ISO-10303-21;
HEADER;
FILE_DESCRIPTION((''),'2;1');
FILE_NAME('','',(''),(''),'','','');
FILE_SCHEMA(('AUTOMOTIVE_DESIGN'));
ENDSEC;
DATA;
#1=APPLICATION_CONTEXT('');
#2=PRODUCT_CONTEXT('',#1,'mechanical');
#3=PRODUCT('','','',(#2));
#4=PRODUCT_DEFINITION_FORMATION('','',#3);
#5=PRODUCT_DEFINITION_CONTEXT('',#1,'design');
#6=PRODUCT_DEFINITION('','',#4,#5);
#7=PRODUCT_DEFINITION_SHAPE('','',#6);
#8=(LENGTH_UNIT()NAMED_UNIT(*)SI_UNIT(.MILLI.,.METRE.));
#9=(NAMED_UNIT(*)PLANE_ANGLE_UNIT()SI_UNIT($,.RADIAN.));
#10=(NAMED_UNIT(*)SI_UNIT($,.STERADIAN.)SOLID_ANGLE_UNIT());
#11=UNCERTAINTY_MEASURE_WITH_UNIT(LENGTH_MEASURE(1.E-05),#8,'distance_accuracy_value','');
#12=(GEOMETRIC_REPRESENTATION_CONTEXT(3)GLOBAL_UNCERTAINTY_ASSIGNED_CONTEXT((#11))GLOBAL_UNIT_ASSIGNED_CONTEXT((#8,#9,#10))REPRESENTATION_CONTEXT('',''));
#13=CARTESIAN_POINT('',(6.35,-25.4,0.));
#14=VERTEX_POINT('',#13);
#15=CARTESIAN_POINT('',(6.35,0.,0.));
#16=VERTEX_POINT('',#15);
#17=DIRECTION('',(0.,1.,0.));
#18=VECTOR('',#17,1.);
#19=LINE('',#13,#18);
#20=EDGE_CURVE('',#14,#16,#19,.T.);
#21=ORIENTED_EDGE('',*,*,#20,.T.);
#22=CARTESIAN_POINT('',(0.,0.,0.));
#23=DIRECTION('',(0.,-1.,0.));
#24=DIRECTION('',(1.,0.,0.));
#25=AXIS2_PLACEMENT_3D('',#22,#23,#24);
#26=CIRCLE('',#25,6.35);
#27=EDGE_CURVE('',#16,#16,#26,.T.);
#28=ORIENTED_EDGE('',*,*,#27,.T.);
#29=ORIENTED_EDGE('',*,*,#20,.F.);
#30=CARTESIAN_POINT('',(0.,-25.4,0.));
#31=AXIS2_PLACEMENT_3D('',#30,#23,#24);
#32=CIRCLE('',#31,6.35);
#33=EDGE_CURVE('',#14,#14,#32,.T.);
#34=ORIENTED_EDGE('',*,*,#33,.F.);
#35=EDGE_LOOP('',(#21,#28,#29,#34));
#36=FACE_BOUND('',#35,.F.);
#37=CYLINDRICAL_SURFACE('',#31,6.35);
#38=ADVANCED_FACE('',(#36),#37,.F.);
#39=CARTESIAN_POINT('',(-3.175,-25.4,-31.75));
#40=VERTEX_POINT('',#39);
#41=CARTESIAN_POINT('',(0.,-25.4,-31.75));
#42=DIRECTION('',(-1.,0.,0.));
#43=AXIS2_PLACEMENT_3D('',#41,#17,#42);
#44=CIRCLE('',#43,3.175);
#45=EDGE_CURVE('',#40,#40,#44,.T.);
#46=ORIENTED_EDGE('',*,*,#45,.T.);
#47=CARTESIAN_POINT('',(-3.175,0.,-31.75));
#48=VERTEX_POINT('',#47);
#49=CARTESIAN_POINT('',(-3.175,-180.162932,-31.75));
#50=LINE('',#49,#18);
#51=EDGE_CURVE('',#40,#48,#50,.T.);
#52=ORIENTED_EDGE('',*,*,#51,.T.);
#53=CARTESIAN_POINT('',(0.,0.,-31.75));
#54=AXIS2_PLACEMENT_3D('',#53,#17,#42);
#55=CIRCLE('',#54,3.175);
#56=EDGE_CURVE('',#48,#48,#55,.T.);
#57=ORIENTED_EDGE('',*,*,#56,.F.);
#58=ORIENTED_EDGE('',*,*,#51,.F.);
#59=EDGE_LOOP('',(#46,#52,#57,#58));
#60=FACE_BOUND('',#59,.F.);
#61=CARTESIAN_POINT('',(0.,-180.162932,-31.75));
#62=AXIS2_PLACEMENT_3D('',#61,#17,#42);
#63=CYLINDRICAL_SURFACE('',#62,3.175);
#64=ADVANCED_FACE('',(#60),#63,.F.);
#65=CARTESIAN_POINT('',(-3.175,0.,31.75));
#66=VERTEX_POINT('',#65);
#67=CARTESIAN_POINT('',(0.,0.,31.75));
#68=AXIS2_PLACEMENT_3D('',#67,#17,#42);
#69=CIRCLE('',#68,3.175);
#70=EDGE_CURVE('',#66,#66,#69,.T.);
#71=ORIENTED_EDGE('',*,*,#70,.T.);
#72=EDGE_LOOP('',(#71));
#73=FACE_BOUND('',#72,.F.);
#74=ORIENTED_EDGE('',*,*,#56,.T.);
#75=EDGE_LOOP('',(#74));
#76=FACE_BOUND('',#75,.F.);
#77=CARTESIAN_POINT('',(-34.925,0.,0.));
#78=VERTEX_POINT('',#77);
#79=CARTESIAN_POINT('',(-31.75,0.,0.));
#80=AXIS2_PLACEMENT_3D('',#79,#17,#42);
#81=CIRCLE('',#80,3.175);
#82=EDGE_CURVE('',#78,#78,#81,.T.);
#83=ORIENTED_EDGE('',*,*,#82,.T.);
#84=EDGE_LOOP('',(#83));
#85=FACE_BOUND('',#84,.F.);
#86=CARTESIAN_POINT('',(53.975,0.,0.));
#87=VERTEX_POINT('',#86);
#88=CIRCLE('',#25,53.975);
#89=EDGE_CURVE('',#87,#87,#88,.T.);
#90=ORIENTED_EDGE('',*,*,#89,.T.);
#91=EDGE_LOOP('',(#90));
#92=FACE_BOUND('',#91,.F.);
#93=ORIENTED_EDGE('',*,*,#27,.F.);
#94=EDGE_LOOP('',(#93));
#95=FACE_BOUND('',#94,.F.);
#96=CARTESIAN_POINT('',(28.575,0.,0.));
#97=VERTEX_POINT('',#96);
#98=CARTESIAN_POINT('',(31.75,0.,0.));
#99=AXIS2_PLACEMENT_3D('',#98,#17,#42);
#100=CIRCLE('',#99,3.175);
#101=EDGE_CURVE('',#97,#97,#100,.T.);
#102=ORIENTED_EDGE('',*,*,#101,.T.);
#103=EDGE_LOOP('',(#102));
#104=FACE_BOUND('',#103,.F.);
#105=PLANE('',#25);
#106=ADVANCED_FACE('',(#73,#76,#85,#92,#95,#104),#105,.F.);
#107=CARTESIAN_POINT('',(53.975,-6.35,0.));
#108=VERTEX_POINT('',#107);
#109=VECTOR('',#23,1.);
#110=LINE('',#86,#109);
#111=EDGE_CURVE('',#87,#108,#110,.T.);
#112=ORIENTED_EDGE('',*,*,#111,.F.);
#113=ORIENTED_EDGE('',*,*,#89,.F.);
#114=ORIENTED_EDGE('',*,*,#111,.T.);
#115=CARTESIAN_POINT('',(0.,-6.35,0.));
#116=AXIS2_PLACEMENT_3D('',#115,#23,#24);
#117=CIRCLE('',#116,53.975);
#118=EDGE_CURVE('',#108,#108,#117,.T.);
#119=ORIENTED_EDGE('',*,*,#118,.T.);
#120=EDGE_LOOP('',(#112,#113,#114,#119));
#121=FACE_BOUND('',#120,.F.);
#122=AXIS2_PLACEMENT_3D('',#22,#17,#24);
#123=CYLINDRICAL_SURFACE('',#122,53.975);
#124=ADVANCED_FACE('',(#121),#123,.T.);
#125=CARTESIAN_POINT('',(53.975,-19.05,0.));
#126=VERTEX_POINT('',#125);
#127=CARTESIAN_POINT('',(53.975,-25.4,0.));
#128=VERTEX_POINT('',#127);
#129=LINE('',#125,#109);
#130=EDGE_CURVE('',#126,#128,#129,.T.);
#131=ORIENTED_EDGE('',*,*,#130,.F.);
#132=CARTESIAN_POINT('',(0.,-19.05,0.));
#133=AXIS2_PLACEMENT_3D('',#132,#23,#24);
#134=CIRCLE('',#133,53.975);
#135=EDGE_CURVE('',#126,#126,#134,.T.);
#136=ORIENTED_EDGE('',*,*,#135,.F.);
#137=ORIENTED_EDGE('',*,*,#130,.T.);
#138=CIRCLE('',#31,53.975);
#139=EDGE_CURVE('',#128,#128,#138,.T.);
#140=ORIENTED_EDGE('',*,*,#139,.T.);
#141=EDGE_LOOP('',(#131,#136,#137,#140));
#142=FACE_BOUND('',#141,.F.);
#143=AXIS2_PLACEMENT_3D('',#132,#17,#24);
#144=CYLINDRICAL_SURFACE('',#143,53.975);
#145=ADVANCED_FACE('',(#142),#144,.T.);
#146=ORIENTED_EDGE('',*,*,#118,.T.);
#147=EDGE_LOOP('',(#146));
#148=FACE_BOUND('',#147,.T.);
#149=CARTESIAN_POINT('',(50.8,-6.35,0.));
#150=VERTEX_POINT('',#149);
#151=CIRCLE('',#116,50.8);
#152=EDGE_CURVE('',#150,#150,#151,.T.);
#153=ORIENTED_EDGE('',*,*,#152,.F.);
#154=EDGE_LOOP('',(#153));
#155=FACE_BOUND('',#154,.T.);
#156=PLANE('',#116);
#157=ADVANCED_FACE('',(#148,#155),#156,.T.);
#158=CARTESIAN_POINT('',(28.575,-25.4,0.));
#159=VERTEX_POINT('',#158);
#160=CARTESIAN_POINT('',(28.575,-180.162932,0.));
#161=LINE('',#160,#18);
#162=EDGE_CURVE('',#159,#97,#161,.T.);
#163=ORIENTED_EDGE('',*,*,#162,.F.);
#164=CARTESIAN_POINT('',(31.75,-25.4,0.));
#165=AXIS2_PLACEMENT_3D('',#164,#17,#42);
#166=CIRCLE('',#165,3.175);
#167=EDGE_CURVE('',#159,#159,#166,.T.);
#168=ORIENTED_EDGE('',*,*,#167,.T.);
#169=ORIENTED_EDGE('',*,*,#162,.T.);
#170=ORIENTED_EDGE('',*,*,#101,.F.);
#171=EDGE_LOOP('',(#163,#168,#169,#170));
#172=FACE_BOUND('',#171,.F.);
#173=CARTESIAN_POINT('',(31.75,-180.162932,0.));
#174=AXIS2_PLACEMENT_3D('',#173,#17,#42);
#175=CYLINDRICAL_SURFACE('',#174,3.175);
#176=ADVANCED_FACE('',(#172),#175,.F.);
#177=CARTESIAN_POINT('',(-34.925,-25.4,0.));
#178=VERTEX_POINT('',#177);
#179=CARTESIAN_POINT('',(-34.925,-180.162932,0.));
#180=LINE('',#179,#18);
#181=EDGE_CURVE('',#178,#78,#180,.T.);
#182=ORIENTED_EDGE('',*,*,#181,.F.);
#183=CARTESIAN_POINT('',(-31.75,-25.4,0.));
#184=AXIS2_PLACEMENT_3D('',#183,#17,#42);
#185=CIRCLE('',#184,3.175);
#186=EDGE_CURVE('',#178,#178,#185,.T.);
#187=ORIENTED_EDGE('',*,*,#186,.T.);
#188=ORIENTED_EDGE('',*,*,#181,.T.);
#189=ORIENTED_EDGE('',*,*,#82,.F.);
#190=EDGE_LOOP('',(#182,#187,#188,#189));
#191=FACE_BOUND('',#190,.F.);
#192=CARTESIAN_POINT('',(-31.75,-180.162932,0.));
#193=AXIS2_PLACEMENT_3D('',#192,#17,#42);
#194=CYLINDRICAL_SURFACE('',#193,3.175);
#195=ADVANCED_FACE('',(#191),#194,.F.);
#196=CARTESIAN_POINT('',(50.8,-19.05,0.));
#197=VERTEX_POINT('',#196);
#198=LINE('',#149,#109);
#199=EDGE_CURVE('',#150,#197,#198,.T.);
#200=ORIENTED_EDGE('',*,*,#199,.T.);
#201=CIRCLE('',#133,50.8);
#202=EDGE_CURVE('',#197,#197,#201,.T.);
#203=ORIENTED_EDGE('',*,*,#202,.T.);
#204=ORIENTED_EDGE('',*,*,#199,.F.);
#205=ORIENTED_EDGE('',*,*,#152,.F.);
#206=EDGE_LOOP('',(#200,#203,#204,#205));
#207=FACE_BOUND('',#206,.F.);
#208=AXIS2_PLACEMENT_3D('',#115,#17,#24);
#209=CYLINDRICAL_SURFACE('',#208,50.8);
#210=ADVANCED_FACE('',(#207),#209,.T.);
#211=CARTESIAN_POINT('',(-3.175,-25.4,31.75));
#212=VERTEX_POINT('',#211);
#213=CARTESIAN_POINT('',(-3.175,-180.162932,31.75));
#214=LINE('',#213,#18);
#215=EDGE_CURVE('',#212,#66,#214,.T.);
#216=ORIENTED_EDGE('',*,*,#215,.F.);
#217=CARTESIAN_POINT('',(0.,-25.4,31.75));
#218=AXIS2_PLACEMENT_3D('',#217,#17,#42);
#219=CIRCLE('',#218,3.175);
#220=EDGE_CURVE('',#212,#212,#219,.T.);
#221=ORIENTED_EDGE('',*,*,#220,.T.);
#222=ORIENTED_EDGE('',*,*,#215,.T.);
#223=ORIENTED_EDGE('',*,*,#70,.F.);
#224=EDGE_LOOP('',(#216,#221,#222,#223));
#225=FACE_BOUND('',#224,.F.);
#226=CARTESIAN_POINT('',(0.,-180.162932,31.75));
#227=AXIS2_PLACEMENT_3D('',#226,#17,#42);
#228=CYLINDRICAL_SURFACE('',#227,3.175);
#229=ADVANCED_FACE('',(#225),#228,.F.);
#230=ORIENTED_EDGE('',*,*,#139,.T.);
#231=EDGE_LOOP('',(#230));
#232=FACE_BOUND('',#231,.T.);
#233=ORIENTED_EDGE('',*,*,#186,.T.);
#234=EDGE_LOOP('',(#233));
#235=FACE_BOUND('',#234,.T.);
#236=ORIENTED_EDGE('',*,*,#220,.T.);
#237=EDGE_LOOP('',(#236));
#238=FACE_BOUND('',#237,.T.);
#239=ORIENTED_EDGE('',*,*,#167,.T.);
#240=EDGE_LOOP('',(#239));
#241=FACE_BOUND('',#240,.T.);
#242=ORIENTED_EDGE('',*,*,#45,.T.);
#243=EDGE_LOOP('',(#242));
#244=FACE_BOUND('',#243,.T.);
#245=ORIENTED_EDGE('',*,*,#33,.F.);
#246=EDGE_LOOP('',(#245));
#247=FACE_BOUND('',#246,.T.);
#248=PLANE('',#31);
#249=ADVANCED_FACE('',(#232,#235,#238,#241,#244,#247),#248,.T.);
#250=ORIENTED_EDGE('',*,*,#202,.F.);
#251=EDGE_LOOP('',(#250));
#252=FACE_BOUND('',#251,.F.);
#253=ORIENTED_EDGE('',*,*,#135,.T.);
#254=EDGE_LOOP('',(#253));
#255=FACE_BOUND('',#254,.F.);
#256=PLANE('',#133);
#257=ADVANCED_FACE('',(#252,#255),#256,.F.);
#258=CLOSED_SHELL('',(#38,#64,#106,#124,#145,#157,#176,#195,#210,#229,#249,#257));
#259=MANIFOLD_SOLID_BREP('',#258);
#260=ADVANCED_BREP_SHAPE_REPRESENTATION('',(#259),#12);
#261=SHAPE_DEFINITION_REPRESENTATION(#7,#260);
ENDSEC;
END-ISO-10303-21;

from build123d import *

# Parameters (mm, degrees)
F0_R     = 53.975
F1_DEPTH = 6.35
F2_R     = 50.8
F3_DEPTH = 12.7
F4_R     = 53.975
F5_DEPTH = 6.35
F7_D     = 6.35
F8_R     = 6.35
F9_DEPTH = 25.401


with BuildPart() as f1:
    # F0 (on Front) → F1 (new body)
    with BuildSketch(Plane.XZ):
        Circle(F0_R)
    extrude(amount=F1_DEPTH)

    # F2 (on face) → F3 (join)
    with BuildSketch(Plane.XZ.offset(6.35)):
        Circle(F2_R)
    extrude(amount=F3_DEPTH)

    # F4 (on face) → F5 (join)
    with BuildSketch(Plane.XZ.offset(19.05)):
        Circle(F4_R)
    extrude(amount=F5_DEPTH)

    # F7 (through all)
    with Locations(Plane.XZ.offset(25.4)):
        with Locations((0, 31.75), (31.75, 0), (0, -31.75), (-31.75, 0)):
            Hole(F7_D / 2)

    # F8 (on face) → F9 (cut, through all)
    with BuildSketch(Plane.XZ.offset(25.4)):
        Circle(F8_R)
    extrude(amount=-F9_DEPTH, mode=Mode.SUBTRACT)


solid = f1.part
